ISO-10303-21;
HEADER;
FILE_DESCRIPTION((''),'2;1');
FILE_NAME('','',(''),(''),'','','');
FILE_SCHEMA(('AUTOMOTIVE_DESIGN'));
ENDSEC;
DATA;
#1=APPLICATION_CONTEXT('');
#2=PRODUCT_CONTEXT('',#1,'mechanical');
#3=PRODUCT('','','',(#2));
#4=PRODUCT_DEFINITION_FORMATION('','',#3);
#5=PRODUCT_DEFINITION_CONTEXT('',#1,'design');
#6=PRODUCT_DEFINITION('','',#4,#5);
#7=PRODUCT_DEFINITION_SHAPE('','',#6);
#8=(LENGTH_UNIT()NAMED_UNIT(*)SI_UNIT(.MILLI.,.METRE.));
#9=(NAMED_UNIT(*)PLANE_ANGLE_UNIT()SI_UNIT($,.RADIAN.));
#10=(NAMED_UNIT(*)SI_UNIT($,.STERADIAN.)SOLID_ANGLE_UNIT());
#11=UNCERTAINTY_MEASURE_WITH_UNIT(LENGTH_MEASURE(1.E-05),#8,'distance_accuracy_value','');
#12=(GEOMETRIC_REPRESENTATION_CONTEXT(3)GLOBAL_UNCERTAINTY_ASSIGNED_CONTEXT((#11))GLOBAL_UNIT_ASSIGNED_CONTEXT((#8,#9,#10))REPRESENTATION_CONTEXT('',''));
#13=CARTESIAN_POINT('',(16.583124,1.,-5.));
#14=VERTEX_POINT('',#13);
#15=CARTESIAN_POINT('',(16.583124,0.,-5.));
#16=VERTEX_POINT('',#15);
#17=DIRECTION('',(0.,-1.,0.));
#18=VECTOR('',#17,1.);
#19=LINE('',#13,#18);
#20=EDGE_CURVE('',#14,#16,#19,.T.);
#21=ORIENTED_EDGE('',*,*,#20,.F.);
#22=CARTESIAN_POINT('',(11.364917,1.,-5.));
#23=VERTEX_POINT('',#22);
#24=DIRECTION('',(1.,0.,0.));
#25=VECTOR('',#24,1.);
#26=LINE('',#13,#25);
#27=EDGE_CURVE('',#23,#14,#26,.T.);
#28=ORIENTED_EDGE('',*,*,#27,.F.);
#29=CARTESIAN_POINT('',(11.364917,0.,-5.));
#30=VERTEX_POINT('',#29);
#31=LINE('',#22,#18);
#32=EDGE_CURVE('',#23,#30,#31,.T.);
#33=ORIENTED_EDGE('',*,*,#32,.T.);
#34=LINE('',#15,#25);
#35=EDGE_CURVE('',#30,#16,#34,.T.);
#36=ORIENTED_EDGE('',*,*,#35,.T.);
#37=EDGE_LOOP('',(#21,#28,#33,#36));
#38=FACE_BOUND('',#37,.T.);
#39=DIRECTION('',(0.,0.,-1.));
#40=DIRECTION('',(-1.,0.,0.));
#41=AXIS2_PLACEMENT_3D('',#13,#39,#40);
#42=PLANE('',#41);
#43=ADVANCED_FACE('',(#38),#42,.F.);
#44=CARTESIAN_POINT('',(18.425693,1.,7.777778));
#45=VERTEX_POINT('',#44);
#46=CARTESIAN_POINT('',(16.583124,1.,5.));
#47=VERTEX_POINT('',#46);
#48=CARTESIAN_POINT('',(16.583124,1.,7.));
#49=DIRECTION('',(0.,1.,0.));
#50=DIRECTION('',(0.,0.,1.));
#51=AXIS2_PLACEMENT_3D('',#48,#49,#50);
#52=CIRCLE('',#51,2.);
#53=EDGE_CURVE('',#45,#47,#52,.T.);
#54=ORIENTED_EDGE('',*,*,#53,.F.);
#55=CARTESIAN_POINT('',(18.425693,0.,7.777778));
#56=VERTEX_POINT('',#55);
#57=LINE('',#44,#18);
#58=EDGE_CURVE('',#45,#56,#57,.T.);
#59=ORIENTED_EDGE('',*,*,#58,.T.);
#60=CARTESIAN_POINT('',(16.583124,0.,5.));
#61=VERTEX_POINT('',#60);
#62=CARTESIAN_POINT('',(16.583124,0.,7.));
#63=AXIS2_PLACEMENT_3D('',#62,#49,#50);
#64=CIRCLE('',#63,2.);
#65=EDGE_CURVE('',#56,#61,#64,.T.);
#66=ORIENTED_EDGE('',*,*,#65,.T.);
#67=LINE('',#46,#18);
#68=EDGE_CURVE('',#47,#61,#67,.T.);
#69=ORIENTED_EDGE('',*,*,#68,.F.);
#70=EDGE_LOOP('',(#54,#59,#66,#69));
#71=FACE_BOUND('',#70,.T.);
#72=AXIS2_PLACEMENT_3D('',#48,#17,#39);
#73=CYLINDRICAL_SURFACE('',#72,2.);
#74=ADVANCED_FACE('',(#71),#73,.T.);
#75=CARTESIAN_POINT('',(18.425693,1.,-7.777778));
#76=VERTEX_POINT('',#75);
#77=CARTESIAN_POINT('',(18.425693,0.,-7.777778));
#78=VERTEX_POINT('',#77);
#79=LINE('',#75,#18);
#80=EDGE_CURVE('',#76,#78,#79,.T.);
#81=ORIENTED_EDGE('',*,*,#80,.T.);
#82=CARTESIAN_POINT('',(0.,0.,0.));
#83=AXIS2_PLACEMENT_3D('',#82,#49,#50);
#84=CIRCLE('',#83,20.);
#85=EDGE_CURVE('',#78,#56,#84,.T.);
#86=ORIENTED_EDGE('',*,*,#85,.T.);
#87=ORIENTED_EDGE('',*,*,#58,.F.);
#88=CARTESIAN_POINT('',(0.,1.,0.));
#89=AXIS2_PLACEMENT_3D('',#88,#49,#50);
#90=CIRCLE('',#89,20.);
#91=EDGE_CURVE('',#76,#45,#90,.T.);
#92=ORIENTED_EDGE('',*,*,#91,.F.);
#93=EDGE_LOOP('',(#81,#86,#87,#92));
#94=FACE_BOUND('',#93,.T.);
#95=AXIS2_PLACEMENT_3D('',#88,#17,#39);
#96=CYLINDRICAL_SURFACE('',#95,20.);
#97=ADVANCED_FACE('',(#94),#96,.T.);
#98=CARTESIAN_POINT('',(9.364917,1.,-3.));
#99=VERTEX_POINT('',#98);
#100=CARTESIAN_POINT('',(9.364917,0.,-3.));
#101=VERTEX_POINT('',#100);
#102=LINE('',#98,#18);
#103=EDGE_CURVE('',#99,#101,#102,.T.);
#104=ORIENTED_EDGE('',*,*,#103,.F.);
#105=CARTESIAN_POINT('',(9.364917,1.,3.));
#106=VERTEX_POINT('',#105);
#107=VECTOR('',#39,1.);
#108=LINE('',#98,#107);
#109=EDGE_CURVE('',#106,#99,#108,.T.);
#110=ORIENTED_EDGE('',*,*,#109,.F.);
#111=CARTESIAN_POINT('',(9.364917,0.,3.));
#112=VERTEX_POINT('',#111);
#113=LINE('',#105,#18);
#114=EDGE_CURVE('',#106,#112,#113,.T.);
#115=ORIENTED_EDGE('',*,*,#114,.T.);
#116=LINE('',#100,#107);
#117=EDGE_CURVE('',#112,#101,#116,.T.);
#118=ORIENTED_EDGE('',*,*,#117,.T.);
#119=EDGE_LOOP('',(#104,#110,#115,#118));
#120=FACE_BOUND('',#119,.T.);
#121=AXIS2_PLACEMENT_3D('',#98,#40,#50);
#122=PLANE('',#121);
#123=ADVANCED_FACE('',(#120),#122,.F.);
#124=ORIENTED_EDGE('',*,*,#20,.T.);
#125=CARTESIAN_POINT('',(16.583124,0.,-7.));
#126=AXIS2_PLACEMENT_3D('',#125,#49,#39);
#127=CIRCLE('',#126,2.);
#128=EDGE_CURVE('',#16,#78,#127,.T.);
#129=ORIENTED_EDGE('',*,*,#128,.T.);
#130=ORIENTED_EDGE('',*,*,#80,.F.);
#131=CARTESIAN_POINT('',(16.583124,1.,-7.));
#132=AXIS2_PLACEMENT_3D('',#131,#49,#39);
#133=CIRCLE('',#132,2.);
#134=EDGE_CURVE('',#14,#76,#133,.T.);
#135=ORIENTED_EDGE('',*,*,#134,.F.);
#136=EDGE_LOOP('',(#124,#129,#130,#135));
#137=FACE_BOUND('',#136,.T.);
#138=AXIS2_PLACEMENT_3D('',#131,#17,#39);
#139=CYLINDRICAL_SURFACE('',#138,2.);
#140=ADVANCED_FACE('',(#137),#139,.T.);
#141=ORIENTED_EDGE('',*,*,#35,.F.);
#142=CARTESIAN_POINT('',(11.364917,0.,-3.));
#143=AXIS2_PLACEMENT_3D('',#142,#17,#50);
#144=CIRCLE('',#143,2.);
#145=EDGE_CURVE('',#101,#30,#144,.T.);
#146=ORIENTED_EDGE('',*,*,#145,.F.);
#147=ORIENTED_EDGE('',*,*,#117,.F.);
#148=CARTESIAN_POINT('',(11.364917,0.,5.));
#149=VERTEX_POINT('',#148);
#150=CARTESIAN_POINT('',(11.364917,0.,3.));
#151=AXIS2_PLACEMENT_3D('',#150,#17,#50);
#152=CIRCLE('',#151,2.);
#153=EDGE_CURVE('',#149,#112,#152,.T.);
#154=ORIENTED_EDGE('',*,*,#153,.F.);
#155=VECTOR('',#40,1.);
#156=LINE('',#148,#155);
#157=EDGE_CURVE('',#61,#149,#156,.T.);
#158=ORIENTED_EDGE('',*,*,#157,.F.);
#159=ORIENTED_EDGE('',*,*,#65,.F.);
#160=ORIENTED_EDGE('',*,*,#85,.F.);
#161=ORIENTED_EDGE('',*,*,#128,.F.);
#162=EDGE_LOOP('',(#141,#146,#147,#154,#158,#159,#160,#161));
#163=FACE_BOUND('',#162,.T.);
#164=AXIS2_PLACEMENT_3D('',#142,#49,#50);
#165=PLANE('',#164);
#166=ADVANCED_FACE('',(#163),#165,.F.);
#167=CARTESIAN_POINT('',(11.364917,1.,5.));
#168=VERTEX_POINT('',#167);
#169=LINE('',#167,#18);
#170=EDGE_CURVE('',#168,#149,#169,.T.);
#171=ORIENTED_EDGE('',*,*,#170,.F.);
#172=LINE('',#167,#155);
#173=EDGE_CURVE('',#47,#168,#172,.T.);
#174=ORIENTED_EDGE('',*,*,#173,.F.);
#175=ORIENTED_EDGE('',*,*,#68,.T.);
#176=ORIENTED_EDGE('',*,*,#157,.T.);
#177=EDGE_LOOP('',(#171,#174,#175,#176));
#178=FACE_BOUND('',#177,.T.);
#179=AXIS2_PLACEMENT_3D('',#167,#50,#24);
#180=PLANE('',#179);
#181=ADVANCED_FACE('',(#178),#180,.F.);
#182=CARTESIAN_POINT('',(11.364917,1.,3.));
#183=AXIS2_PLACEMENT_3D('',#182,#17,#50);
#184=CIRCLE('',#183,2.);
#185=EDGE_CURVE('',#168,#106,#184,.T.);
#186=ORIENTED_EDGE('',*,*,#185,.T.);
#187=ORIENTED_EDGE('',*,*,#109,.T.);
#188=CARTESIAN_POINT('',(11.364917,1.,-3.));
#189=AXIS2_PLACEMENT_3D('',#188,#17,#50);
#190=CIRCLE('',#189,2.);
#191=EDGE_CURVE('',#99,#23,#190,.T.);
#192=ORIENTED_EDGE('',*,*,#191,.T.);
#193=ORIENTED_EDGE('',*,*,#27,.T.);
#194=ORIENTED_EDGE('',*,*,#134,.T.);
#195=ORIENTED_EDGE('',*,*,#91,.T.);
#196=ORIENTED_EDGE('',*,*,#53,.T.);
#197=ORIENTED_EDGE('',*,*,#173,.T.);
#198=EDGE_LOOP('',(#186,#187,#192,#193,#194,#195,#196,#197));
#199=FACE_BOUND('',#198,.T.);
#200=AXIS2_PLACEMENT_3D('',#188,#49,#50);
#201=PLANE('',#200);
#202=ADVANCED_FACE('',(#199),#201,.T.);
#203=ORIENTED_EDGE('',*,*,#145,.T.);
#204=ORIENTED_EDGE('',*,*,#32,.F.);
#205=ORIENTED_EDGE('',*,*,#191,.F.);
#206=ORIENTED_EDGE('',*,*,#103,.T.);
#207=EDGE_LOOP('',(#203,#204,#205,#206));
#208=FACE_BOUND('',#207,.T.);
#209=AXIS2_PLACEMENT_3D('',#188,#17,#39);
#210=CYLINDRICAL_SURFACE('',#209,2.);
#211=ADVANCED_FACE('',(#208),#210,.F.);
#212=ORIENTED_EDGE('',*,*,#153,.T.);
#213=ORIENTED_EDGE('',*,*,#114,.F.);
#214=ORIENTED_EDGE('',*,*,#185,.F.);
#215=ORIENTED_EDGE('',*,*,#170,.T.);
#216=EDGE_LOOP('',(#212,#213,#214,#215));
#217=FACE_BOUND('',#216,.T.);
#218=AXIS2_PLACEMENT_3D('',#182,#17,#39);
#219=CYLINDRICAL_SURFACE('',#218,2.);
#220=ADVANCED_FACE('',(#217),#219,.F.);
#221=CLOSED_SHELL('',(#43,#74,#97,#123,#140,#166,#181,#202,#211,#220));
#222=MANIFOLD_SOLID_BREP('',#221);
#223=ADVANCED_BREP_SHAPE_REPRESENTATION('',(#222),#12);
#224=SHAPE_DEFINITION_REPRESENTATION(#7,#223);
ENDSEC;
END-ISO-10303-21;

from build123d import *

# Parameters (mm, degrees)
BOSS_EXTRUDE1_DEPTH = 1


with BuildPart() as part:
    # Sketch1 → Boss-Extrude1 (new body)
    with BuildSketch(Plane(origin=(0, 0, 0), x_dir=(1, 0, 0), z_dir=(0, 1, 0))):
        with BuildLine():
            Line((16.583123952, 5), (11.364916731, 5))
            ThreePointArc((11.364916731, 5), (9.950703169, 4.414213562), (9.364916731, 3))
            Line((9.364916731, 3), (9.364916731, -3))
            ThreePointArc((9.364916731, -3), (9.950703169, -4.414213562), (11.364916731, -5))
            Line((11.364916731, -5), (16.583123952, -5))
            ThreePointArc((16.583123952, -5), (18.249790618, -5.894458403), (18.42569328, -7.777777778))
            ThreePointArc((18.42569328, -7.777777778), (-20, 0), (18.42569328, 7.777777778))
            ThreePointArc((18.42569328, 7.777777778), (18.249790618, 5.894458403), (16.583123952, 5))
        make_face()
    extrude(amount=BOSS_EXTRUDE1_DEPTH)


solid = part.part
